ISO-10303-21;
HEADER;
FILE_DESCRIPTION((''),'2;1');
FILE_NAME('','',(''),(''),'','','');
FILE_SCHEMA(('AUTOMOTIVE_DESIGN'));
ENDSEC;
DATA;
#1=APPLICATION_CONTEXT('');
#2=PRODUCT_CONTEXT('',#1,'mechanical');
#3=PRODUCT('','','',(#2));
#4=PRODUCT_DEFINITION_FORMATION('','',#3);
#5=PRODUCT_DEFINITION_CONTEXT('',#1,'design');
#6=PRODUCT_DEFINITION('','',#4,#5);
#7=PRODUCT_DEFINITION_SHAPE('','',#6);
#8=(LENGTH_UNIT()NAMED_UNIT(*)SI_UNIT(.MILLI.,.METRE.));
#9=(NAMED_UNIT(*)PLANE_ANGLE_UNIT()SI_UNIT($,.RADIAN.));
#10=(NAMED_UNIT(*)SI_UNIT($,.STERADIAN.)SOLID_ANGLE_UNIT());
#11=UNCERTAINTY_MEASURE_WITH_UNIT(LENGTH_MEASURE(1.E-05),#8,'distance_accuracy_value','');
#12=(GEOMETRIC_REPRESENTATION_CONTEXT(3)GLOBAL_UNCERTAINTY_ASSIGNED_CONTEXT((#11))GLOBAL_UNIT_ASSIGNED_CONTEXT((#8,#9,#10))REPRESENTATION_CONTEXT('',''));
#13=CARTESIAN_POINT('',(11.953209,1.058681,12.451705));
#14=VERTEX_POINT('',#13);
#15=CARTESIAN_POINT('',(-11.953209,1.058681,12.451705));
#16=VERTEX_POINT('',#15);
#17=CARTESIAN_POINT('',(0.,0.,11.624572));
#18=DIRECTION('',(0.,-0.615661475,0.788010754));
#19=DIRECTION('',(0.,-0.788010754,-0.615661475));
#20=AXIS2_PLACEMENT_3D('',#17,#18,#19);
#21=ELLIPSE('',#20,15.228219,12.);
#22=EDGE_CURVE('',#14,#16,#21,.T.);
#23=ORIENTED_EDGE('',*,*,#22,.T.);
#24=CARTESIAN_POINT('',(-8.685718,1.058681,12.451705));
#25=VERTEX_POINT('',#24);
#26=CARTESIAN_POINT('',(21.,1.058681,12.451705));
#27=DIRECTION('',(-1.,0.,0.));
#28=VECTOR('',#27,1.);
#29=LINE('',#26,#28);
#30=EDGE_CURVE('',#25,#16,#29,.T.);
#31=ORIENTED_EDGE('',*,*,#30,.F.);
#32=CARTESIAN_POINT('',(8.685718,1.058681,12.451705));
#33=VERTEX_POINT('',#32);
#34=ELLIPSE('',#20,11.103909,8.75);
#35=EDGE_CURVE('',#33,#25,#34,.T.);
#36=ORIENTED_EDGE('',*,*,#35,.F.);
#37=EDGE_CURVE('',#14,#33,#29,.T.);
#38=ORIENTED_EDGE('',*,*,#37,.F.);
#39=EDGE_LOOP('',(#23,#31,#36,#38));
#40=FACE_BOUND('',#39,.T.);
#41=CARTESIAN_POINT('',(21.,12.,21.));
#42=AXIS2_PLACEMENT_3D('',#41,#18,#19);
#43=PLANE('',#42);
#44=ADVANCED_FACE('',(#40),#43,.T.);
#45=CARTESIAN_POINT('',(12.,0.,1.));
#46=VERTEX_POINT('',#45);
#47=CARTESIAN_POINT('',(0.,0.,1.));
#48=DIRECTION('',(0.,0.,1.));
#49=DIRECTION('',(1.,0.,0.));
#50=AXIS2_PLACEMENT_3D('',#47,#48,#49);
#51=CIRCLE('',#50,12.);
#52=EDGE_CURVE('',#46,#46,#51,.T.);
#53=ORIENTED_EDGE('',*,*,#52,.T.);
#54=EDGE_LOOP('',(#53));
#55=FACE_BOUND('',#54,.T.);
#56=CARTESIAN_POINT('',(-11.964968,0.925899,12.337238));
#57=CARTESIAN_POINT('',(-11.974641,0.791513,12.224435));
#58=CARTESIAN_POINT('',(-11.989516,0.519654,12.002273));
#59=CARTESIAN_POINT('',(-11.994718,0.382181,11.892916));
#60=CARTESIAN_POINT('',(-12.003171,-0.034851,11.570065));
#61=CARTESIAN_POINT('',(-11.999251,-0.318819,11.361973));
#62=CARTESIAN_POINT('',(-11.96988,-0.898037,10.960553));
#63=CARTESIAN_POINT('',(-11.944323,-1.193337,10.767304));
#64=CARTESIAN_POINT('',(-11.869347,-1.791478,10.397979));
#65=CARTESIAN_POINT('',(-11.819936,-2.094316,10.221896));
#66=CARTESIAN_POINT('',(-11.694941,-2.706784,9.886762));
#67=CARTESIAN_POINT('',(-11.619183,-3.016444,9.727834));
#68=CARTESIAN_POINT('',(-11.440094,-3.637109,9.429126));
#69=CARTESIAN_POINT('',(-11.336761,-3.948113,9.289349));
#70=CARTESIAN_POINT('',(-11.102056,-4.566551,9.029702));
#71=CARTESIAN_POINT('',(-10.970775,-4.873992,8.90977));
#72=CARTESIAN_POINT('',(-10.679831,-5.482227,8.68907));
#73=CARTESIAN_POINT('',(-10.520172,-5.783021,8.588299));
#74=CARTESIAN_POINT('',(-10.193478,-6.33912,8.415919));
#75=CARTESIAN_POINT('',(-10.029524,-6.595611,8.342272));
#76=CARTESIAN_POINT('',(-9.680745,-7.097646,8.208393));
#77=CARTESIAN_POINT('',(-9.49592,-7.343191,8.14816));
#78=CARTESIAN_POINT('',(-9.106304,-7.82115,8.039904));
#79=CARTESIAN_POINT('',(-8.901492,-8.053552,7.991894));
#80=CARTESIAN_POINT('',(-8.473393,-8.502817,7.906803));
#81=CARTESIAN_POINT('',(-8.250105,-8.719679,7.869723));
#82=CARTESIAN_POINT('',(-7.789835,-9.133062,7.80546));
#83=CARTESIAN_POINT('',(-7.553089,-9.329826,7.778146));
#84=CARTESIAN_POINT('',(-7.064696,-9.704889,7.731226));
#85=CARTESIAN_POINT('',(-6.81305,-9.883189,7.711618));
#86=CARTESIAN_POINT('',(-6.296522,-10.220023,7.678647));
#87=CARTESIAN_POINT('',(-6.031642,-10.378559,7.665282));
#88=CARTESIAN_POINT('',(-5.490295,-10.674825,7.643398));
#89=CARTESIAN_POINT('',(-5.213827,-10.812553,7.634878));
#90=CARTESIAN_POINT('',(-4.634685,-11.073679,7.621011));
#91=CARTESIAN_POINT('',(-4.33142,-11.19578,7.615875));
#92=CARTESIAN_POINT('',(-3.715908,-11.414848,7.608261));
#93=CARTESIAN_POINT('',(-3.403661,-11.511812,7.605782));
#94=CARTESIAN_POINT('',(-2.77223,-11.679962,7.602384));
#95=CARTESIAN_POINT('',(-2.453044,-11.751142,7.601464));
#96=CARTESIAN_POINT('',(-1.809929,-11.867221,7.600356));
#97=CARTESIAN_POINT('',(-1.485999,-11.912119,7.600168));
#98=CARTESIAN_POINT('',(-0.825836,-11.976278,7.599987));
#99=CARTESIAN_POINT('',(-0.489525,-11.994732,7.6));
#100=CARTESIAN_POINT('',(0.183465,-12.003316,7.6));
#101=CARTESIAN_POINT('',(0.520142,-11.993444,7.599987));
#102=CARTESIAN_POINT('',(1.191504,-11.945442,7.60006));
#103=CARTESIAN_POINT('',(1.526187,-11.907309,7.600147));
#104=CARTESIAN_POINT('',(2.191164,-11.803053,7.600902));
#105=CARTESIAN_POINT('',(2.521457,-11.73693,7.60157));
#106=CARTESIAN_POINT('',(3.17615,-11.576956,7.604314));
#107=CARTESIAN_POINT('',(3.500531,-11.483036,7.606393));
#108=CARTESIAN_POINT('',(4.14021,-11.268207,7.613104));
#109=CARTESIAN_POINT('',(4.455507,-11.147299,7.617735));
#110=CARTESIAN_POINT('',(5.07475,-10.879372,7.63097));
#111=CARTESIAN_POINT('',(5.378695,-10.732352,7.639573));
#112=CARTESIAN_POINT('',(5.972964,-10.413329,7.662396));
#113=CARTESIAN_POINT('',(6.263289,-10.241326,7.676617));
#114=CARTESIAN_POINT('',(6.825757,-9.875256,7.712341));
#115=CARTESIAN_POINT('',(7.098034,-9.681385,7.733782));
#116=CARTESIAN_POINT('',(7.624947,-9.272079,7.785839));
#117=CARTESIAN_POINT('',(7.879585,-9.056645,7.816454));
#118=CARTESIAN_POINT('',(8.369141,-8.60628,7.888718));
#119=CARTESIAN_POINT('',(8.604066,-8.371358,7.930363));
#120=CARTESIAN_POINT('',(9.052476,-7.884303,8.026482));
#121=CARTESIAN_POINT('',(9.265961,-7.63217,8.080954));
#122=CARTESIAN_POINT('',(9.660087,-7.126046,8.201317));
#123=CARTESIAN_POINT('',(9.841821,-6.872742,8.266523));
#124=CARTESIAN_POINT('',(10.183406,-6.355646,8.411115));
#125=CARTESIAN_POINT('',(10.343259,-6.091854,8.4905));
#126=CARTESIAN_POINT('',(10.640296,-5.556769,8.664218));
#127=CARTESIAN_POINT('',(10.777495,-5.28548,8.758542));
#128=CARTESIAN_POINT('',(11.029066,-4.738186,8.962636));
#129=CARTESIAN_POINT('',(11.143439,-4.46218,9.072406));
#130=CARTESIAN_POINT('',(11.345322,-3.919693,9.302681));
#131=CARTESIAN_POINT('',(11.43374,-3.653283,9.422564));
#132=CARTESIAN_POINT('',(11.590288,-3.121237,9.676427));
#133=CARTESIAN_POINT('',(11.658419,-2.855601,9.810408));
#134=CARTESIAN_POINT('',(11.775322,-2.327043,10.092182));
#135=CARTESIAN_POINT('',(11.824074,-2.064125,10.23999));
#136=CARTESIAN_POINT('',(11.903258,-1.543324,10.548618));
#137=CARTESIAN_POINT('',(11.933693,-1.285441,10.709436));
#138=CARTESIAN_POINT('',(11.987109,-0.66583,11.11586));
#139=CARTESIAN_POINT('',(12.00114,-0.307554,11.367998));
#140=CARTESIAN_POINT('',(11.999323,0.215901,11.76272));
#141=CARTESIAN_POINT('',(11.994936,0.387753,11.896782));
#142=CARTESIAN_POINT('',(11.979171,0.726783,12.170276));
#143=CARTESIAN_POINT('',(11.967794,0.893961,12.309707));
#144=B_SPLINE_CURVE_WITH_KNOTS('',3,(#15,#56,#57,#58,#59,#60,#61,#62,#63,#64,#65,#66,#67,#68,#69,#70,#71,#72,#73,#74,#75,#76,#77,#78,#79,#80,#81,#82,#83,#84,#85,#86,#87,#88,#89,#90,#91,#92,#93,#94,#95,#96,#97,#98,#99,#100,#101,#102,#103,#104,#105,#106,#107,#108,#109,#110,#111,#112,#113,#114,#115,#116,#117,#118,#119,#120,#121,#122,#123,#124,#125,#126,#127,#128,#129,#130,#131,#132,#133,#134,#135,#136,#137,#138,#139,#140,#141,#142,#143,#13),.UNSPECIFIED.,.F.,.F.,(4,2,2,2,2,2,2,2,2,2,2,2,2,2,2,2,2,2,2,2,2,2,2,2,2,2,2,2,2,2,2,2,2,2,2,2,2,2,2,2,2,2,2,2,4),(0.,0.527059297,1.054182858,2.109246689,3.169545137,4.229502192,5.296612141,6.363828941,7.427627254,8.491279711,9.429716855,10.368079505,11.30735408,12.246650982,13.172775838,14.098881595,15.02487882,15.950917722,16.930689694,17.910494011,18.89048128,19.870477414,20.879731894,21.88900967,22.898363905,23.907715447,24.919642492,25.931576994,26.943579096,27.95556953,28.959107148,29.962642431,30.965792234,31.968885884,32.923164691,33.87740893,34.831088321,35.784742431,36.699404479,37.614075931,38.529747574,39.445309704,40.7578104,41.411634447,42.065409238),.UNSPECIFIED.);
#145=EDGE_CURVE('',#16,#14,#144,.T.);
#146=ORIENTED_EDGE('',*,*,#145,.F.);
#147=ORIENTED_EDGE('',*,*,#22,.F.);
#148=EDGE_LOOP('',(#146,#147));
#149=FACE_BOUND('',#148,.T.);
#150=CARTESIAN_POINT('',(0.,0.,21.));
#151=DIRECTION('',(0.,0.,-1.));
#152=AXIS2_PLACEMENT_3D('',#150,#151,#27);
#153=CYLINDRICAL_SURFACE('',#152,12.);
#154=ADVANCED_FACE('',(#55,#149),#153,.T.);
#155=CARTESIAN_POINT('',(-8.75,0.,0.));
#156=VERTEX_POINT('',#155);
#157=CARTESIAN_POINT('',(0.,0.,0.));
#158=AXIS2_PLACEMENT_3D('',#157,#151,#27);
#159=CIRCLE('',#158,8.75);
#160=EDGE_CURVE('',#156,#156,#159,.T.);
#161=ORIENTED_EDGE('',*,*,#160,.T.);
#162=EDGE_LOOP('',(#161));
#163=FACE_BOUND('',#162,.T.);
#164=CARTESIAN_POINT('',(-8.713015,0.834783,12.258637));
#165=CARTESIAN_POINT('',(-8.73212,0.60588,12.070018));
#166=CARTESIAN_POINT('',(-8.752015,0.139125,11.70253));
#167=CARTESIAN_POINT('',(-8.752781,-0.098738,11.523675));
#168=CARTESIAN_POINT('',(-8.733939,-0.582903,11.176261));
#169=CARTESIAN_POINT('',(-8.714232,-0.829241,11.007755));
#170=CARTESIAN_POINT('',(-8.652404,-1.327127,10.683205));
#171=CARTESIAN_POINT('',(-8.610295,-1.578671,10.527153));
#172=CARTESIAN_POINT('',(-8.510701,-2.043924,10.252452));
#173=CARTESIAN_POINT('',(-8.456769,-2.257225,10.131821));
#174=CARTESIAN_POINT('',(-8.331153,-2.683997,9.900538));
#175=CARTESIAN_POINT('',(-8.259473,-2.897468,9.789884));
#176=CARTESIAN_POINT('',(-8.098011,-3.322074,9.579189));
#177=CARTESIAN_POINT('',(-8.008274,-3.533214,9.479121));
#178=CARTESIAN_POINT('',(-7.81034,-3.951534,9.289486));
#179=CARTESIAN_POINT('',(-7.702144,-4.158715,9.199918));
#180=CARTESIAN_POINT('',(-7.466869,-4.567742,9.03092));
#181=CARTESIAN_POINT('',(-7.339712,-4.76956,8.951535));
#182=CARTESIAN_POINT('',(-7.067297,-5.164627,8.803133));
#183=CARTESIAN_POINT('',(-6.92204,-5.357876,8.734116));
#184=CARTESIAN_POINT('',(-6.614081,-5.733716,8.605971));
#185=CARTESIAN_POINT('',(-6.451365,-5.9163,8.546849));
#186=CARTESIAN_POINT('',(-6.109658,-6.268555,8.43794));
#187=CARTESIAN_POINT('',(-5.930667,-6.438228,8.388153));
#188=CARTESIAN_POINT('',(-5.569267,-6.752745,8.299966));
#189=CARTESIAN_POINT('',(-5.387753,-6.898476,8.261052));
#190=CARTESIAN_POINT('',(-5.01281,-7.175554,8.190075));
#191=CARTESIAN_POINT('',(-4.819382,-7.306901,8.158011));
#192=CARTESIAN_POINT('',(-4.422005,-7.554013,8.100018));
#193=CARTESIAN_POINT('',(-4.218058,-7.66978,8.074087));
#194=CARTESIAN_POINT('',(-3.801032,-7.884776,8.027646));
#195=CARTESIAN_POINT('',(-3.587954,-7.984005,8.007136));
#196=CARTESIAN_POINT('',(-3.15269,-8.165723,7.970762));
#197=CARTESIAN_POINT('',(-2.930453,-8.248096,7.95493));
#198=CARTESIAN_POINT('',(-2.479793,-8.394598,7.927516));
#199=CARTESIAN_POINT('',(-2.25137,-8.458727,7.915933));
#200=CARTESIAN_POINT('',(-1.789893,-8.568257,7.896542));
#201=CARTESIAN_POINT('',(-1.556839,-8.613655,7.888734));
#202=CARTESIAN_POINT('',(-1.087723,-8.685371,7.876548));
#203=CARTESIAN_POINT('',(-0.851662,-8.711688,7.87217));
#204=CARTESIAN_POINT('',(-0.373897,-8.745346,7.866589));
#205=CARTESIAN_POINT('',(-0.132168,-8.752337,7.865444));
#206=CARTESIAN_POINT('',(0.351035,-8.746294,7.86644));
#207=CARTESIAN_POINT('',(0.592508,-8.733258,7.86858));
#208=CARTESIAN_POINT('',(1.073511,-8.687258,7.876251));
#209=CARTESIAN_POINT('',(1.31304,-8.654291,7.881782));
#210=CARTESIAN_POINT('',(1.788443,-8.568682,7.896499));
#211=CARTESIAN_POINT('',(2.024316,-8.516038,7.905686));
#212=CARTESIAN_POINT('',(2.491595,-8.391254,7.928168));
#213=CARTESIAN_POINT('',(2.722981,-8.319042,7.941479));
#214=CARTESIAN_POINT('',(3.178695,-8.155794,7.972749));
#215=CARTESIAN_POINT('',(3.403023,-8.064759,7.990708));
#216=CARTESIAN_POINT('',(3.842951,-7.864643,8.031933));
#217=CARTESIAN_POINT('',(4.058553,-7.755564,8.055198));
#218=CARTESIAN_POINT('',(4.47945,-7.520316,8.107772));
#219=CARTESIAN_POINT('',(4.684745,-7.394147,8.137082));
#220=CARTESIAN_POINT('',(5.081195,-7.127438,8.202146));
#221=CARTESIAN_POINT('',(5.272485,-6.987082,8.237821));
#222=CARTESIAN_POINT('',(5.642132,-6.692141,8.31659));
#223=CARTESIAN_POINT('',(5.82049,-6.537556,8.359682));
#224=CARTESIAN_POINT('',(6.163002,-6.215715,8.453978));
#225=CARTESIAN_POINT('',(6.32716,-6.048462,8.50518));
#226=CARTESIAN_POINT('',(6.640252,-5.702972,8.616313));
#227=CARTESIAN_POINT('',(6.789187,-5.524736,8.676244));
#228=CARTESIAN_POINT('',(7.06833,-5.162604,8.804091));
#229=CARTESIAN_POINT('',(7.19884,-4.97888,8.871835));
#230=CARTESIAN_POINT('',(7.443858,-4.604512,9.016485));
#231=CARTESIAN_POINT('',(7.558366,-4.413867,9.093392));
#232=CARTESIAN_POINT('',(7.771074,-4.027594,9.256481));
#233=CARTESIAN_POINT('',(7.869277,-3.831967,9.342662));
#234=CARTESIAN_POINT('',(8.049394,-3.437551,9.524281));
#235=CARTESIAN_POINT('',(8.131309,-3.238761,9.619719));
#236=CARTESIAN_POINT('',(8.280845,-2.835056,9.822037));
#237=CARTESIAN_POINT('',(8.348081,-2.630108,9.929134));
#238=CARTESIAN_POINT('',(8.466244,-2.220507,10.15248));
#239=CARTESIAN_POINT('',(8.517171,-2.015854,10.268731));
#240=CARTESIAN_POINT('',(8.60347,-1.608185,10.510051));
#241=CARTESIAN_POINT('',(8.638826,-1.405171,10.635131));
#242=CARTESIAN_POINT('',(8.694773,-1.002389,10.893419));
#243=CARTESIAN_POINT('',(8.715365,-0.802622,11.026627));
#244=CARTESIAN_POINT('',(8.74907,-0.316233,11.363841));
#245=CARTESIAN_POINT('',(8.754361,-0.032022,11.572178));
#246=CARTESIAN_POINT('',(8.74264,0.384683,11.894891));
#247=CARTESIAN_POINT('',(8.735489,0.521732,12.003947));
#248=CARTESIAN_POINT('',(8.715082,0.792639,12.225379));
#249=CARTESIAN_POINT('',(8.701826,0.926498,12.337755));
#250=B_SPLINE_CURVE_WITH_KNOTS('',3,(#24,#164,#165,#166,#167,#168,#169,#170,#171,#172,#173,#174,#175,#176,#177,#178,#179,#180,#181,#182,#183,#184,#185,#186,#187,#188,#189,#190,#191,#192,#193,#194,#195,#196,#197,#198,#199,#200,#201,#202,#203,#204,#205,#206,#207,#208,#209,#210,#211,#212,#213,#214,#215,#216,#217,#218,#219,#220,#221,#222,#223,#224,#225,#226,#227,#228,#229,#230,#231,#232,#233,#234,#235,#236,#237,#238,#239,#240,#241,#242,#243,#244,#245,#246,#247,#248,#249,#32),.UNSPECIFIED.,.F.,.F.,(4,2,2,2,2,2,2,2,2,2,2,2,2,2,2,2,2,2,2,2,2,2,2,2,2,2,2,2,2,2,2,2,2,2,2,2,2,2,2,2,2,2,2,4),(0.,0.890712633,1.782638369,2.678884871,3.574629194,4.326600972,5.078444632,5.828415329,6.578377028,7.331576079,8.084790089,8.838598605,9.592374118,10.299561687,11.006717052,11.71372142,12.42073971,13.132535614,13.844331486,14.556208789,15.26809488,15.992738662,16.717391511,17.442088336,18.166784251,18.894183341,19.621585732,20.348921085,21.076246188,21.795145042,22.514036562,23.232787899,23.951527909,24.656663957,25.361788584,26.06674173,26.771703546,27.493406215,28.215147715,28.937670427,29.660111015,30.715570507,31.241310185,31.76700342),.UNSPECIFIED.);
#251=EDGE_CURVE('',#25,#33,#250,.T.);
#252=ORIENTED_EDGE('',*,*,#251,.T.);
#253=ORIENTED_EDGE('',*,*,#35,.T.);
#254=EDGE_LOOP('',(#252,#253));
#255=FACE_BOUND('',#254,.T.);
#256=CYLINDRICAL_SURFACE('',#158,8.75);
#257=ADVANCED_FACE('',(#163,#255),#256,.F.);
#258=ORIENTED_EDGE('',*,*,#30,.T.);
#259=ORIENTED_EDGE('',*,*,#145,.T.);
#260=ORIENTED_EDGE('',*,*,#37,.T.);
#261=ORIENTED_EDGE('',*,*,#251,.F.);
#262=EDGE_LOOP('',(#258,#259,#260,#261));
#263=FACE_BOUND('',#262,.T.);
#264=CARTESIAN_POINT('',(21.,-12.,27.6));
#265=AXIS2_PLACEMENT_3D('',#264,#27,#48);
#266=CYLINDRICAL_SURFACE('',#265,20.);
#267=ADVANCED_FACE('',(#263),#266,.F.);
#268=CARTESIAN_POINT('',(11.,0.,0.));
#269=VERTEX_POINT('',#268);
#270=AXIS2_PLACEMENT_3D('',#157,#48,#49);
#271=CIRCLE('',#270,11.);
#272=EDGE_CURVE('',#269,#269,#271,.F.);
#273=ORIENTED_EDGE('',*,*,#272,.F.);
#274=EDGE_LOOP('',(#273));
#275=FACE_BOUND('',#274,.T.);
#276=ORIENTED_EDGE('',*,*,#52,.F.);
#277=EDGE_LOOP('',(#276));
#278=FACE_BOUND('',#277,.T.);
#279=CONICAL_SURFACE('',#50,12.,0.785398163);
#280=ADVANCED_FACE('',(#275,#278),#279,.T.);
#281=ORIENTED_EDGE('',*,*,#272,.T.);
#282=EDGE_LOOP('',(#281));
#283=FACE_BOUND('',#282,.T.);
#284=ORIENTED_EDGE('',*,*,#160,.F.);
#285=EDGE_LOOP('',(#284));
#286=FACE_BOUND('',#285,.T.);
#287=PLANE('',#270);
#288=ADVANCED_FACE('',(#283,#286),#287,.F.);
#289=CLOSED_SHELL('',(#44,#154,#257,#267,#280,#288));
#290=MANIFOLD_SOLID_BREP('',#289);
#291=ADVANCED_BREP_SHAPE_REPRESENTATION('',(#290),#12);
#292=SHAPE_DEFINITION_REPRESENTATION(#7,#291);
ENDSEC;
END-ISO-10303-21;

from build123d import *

# Parameters (mm, degrees)
SKETCH_1_R               = 12
EXTRUDE_1_DEPTH          = 21
CUT_EXTRUDE_1_DEPTH      = 21
CUT_EXTRUDE_1_DEPTH_BACK = 21
HOLE_WIZARD_M20_2_D      = 17.5
CHAMFER_2_SIZE           = 1


with BuildPart() as part:
    # 草图1 → 凸台-拉伸1 (new body)
    with BuildSketch(Plane.XY):
        Circle(SKETCH_1_R)
    extrude(amount=EXTRUDE_1_DEPTH)

    # 草图2 → 切除-拉伸1 (cut, two sides: drawn at the far end of the back side and taken through both)
    with BuildSketch(Plane(origin=(0, 0, 0), x_dir=(0, 0, -1), z_dir=(1, 0, 0)).offset(-CUT_EXTRUDE_1_DEPTH_BACK)):
        with BuildLine():
            Line((-21, 12), (-12.451705037, 1.058681393))
            ThreePointArc((-12.451705037, 1.058681393), (-8.852121463, -5.034581824), (-7.6, -12))
            Line((-7.6, -12), (-21, -12))
            Line((-21, -12), (-21, 12))
        make_face()
    extrude(amount=CUT_EXTRUDE_1_DEPTH + CUT_EXTRUDE_1_DEPTH_BACK, mode=Mode.SUBTRACT)

    # M20 螺纹孔2 (through all)
    with Locations(Plane(origin=(0, 0, 0), x_dir=(-1, 0, 0), z_dir=(0, 0, -1))):
        with Locations((0, 0)):
            Hole(HOLE_WIZARD_M20_2_D / 2)

    # 倒角2
    chamfer_2_edges = [part.edges().sort_by_distance(p)[0] for p in [
        (-12, 0, 0),
    ]]
    chamfer(chamfer_2_edges, length=CHAMFER_2_SIZE)


solid = part.part
